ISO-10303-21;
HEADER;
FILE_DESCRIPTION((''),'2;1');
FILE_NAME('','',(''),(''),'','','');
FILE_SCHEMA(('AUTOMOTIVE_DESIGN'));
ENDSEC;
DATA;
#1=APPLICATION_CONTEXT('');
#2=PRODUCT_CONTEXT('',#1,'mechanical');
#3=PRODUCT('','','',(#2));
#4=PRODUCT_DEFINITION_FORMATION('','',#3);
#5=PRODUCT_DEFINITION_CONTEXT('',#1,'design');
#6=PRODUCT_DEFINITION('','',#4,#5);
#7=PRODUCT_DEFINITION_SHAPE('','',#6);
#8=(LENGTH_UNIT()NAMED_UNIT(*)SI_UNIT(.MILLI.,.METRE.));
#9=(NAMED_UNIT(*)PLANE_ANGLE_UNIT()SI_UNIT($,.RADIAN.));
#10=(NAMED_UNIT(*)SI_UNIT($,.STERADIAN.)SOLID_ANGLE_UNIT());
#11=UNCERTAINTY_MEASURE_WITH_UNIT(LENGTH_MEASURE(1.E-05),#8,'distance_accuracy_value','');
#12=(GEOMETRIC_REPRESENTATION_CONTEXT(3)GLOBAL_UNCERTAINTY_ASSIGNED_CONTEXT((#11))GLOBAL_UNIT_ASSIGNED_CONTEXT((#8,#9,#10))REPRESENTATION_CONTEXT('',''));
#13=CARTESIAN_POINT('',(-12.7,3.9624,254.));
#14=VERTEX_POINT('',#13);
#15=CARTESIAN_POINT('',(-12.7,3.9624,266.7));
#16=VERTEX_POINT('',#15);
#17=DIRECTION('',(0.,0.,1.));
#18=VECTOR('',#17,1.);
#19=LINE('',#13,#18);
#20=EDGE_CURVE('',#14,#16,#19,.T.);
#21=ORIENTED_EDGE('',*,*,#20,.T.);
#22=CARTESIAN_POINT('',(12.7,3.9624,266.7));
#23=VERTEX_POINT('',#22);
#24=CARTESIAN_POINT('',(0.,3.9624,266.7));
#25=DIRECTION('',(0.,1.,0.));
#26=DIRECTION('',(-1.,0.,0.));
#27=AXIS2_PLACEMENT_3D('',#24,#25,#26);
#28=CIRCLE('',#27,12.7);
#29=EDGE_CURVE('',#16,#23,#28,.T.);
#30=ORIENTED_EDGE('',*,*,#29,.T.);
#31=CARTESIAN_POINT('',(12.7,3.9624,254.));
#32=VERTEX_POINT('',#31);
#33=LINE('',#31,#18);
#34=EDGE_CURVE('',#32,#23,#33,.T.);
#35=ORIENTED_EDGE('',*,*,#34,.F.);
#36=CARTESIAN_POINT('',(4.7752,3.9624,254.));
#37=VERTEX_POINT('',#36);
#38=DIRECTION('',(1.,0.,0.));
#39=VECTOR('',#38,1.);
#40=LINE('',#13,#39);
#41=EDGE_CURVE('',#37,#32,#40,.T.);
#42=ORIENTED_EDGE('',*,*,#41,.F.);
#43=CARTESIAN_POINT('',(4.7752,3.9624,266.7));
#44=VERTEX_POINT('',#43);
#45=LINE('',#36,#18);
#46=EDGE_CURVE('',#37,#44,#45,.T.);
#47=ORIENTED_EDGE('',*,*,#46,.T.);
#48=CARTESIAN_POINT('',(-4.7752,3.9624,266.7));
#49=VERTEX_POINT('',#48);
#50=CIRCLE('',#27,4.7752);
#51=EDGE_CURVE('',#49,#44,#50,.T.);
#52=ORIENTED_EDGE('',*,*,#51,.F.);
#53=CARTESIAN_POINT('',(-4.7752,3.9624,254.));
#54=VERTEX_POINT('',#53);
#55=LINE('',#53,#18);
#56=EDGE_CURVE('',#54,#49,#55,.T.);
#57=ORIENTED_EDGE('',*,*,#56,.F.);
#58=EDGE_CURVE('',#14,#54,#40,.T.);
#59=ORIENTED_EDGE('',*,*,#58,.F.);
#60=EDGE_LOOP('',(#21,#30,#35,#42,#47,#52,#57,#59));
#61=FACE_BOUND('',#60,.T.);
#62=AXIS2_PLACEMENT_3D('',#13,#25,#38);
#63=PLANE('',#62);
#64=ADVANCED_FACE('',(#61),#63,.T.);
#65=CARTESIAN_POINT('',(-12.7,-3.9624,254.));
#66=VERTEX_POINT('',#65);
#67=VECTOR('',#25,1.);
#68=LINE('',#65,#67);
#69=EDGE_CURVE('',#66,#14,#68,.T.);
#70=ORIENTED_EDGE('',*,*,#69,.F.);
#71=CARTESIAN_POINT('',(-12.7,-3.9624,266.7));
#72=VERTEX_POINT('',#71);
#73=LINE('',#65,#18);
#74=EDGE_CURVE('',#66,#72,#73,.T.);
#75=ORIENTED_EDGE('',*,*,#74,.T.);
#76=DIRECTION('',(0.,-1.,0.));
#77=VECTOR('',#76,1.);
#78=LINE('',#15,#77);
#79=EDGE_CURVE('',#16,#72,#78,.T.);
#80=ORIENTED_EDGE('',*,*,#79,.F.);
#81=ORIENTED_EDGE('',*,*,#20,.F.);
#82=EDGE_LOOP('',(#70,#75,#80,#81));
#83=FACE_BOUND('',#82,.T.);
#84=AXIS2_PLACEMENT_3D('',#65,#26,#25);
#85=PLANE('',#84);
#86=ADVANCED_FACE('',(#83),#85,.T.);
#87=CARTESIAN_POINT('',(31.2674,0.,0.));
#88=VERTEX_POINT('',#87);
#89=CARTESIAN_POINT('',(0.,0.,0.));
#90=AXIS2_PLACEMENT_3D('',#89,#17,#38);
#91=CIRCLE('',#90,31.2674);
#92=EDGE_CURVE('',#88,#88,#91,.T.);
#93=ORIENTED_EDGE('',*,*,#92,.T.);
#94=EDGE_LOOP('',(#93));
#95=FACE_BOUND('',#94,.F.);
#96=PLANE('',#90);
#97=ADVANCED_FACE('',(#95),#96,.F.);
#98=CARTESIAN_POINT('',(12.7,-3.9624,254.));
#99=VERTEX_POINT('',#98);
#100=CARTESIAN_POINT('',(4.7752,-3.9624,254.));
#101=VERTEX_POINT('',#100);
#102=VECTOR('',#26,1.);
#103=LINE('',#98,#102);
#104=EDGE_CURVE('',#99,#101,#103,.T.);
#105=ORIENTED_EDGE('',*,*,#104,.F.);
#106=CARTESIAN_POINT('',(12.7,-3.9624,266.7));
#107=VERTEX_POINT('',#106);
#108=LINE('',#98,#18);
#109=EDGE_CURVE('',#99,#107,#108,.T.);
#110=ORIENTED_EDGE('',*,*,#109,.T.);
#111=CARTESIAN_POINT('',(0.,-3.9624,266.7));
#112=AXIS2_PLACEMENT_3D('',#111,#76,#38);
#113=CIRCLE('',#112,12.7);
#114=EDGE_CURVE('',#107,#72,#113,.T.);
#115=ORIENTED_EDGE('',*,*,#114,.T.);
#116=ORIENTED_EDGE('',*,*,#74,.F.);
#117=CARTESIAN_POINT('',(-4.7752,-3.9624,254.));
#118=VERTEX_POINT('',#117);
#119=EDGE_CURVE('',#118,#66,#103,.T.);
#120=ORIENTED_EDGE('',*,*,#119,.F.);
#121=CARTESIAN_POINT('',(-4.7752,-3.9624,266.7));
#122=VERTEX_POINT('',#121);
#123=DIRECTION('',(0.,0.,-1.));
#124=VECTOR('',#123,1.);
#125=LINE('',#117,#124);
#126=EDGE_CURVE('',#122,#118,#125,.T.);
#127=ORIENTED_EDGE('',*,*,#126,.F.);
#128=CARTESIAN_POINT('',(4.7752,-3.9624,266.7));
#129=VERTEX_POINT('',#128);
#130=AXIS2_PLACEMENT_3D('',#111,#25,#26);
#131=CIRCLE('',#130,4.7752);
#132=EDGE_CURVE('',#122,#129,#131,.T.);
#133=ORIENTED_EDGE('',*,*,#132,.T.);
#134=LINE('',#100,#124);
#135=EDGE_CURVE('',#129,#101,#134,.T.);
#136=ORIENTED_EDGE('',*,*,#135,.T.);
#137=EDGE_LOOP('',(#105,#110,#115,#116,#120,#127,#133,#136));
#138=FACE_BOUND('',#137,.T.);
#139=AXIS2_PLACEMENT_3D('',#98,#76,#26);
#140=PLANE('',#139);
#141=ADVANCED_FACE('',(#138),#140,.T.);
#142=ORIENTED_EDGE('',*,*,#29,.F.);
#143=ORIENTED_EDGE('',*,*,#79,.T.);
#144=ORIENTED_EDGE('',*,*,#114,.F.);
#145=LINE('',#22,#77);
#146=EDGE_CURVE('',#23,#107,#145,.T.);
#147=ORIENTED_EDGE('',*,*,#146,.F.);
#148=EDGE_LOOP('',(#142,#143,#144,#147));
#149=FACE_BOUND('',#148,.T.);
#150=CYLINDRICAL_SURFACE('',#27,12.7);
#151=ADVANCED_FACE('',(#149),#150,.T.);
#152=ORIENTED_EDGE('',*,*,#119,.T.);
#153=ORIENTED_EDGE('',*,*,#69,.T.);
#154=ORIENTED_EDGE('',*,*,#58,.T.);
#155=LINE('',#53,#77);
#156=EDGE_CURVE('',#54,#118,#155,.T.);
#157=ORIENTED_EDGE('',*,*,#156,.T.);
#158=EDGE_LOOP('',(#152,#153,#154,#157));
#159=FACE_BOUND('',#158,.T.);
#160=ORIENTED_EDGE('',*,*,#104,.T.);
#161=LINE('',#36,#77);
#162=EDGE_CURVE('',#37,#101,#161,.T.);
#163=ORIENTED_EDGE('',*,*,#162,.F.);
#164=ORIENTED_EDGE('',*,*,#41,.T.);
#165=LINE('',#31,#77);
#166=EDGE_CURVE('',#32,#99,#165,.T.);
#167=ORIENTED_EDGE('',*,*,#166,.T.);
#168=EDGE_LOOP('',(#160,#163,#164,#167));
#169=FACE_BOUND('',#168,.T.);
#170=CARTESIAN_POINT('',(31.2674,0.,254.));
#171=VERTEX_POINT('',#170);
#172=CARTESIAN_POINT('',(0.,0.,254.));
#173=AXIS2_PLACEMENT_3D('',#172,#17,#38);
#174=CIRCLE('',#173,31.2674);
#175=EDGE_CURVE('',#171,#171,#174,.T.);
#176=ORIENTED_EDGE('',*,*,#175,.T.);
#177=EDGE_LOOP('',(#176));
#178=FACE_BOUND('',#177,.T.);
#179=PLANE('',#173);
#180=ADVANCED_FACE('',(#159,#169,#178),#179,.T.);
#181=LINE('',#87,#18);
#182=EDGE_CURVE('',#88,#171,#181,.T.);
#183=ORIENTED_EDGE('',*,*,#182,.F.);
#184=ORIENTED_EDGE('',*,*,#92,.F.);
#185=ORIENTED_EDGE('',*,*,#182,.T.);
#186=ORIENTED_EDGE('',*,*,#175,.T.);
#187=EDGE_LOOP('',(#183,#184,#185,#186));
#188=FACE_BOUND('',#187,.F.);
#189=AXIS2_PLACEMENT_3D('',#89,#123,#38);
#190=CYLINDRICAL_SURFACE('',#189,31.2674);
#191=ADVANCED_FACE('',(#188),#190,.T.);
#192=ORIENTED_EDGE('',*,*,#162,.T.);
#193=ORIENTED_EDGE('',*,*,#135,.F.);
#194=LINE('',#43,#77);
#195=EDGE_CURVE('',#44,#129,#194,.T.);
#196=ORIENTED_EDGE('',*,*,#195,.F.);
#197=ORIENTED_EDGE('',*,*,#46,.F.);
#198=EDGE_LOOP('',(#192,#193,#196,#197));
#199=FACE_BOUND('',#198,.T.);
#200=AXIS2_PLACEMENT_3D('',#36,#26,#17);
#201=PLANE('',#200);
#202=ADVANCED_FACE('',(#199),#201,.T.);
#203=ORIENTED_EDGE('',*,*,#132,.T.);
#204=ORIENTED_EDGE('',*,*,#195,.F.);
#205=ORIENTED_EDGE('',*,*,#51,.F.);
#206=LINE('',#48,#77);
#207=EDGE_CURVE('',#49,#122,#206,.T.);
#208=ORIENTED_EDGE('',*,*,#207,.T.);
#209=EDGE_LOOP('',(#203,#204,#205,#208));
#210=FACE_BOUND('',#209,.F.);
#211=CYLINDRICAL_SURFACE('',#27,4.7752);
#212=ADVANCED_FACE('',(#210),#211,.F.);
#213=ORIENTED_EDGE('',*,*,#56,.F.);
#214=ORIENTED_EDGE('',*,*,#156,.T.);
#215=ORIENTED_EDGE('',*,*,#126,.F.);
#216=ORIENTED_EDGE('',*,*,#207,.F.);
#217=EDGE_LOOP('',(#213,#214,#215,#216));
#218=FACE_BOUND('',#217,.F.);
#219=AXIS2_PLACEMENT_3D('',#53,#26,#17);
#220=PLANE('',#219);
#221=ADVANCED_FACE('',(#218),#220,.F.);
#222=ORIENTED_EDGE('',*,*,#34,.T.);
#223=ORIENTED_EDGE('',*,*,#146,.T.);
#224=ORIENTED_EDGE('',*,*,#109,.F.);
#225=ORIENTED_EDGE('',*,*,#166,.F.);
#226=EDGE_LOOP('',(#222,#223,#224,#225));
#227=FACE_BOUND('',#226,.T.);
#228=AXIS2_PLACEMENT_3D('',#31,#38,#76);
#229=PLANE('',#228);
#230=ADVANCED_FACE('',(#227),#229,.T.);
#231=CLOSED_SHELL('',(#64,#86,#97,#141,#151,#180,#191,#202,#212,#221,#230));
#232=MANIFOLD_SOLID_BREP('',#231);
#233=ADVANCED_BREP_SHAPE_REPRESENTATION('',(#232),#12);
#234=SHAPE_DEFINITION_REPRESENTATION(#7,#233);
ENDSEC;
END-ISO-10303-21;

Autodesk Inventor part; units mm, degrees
ref_plane "YZ Plane" through (0, 0, 0) normal (1, 0, 0) x (0, 1, 0)
ref_plane "XZ Plane" through (0, 0, 0) normal (0, 1, 0) x (-1, 0, 0)
ref_plane "XY Plane" through (0, 0, 0) normal (0, 0, 1) x (1, 0, 0)
sketch "Sketch1" plane through (0, 0, 0) normal (0, 0, 1) x (1, 0, 0)
  circle A0 centre (0, 0) radius 31.2674
  dimension "d0" = 62.5348
extrude "Extrusion1" add sketch "Sketch1" along normal blind 254
sketch "Sketch2" plane through (0, 0, 254) normal (0, 0, 1) x (1, 0, 0)
  circle A0 centre (0, 0) radius 31.2674 projected
  line L0 (-12.7, 3.9624) -> (12.7, 3.9624)
  line L1 (12.7, 3.9624) -> (12.7, -3.9624)
  line L2 (12.7, -3.9624) -> (-12.7, -3.9624)
  line L3 (-12.7, -3.9624) -> (-12.7, 3.9624)
  dimension "d3" = 7.9248
  dimension "d4" = 3.9624
  dimension "d5" = 12.7
  dimension "d6" = 12.7
extrude "Extrusion2" add sketch "Sketch2" along normal blind 25.4 contours L0 L1 L2 L3
sketch "Sketch3" plane through (-12.7, 3.9624, 254) normal (0, 1, 0) x (1, 0, 0)
  line L0 (0, 0) -> (25.4, 0) projected
  line L1 (0, 0) -> (0, -25.4) projected
  line L2 (25.4, -25.4) -> (0, -25.4) projected
  line L3 (25.4, 0) -> (25.4, -25.4) projected
  arc A0 (0, -12.7) -> (25.4, -12.7) centre (12.7, -12.7) ccw
  line L4 (7.9248, 0) -> (7.9248, -12.7)
  line L5 (17.4752, 0) -> (17.4752, -12.7)
  arc A1 (7.9248, -12.7) -> (17.4752, -12.7) centre (12.7, -12.7) ccw
  point P0 (12.7, 254)
  dimension "d9" = 7.9248
extrude "Extrusion3" cut sketch "Sketch3" against normal blind 25.4 contours L0 L5 A1 L4 | A0 L2 L1 | A0 L3 L2
properties part number "Spring End"
